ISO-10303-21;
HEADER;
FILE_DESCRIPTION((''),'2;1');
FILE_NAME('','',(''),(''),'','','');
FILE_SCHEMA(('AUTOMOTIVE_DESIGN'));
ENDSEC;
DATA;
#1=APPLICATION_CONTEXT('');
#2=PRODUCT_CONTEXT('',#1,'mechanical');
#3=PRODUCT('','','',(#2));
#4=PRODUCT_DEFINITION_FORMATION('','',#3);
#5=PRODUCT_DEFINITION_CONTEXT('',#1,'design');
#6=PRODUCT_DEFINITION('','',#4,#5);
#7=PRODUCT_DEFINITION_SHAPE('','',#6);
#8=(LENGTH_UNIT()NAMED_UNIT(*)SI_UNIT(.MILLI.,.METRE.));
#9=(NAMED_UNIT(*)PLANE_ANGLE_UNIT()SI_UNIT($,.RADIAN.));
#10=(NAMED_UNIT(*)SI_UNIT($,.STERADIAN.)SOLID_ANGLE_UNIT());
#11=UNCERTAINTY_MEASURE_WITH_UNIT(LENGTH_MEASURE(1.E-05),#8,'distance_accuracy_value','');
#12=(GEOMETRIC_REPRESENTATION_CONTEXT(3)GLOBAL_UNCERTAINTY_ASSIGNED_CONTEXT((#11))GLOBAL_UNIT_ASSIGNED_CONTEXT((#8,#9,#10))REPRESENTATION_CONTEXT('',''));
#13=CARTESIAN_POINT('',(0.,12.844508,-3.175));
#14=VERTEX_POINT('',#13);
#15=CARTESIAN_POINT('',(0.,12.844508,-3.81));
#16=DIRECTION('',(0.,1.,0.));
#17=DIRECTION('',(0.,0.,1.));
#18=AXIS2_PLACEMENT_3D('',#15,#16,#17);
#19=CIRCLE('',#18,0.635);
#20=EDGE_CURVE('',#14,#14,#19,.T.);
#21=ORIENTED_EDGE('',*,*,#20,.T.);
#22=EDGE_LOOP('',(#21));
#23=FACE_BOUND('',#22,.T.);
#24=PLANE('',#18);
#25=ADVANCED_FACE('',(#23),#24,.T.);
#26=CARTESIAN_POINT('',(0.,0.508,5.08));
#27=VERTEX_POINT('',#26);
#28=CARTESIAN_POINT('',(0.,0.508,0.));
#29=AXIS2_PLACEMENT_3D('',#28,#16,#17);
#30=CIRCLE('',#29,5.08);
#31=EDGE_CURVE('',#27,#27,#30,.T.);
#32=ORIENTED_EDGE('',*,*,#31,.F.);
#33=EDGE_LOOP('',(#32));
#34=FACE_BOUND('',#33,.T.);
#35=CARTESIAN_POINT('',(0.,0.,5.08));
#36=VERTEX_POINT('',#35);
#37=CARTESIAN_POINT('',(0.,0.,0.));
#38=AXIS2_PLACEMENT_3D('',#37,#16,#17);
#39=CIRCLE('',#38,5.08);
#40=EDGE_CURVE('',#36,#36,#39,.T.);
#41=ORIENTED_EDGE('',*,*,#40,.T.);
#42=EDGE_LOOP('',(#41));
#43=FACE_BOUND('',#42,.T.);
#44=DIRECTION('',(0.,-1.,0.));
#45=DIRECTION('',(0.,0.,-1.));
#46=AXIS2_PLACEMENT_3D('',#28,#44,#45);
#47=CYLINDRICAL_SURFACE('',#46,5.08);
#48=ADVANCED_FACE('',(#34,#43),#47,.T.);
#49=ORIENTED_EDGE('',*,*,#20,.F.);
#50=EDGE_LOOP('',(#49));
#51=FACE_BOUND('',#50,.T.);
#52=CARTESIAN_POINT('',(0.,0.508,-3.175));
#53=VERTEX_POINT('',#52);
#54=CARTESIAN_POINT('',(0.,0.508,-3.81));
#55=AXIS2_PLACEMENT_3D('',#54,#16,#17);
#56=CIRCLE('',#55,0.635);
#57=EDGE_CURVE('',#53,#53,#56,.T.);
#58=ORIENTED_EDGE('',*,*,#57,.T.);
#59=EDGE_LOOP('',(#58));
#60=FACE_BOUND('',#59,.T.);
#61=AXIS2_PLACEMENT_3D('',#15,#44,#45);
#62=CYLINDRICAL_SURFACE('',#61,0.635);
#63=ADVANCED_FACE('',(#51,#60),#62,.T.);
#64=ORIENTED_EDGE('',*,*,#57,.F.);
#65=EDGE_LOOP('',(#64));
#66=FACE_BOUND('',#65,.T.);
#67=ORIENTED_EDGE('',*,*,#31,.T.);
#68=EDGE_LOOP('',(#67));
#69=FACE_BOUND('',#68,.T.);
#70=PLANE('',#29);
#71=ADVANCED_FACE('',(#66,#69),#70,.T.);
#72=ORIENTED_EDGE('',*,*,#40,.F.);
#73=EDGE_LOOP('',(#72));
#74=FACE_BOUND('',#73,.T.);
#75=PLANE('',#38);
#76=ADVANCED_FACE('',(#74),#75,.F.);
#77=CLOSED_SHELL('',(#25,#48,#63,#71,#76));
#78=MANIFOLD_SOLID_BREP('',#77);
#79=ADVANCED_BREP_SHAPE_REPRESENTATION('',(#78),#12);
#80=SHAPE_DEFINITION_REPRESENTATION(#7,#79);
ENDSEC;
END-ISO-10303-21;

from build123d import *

# Parameters (mm, degrees)
SKETCH1_R           = 5.08
SKETCH1_R_2         = 0.635
BOSS_EXTRUDE1_DEPTH = 0.508
SKETCH2_R           = 0.635
BOSS_EXTRUDE2_DEPTH = 12.844507618


with BuildPart() as part:
    # Sketch1 → Boss-Extrude1 (new body)
    with BuildSketch(Plane(origin=(0, 0, 0), x_dir=(1, 0, 0), z_dir=(0, 1, 0))):
        Circle(SKETCH1_R)
        with Locations((0, 3.81)):
            Circle(SKETCH1_R_2, mode=Mode.SUBTRACT)
    extrude(amount=BOSS_EXTRUDE1_DEPTH)

    # Sketch2 → Boss-Extrude2 (add)
    with BuildSketch(Plane(origin=(0, 0, 0), x_dir=(1, 0, 0), z_dir=(0, 1, 0))):
        with Locations((0, 3.81)):
            Circle(SKETCH2_R)
    extrude(amount=BOSS_EXTRUDE2_DEPTH)


solid = part.part
